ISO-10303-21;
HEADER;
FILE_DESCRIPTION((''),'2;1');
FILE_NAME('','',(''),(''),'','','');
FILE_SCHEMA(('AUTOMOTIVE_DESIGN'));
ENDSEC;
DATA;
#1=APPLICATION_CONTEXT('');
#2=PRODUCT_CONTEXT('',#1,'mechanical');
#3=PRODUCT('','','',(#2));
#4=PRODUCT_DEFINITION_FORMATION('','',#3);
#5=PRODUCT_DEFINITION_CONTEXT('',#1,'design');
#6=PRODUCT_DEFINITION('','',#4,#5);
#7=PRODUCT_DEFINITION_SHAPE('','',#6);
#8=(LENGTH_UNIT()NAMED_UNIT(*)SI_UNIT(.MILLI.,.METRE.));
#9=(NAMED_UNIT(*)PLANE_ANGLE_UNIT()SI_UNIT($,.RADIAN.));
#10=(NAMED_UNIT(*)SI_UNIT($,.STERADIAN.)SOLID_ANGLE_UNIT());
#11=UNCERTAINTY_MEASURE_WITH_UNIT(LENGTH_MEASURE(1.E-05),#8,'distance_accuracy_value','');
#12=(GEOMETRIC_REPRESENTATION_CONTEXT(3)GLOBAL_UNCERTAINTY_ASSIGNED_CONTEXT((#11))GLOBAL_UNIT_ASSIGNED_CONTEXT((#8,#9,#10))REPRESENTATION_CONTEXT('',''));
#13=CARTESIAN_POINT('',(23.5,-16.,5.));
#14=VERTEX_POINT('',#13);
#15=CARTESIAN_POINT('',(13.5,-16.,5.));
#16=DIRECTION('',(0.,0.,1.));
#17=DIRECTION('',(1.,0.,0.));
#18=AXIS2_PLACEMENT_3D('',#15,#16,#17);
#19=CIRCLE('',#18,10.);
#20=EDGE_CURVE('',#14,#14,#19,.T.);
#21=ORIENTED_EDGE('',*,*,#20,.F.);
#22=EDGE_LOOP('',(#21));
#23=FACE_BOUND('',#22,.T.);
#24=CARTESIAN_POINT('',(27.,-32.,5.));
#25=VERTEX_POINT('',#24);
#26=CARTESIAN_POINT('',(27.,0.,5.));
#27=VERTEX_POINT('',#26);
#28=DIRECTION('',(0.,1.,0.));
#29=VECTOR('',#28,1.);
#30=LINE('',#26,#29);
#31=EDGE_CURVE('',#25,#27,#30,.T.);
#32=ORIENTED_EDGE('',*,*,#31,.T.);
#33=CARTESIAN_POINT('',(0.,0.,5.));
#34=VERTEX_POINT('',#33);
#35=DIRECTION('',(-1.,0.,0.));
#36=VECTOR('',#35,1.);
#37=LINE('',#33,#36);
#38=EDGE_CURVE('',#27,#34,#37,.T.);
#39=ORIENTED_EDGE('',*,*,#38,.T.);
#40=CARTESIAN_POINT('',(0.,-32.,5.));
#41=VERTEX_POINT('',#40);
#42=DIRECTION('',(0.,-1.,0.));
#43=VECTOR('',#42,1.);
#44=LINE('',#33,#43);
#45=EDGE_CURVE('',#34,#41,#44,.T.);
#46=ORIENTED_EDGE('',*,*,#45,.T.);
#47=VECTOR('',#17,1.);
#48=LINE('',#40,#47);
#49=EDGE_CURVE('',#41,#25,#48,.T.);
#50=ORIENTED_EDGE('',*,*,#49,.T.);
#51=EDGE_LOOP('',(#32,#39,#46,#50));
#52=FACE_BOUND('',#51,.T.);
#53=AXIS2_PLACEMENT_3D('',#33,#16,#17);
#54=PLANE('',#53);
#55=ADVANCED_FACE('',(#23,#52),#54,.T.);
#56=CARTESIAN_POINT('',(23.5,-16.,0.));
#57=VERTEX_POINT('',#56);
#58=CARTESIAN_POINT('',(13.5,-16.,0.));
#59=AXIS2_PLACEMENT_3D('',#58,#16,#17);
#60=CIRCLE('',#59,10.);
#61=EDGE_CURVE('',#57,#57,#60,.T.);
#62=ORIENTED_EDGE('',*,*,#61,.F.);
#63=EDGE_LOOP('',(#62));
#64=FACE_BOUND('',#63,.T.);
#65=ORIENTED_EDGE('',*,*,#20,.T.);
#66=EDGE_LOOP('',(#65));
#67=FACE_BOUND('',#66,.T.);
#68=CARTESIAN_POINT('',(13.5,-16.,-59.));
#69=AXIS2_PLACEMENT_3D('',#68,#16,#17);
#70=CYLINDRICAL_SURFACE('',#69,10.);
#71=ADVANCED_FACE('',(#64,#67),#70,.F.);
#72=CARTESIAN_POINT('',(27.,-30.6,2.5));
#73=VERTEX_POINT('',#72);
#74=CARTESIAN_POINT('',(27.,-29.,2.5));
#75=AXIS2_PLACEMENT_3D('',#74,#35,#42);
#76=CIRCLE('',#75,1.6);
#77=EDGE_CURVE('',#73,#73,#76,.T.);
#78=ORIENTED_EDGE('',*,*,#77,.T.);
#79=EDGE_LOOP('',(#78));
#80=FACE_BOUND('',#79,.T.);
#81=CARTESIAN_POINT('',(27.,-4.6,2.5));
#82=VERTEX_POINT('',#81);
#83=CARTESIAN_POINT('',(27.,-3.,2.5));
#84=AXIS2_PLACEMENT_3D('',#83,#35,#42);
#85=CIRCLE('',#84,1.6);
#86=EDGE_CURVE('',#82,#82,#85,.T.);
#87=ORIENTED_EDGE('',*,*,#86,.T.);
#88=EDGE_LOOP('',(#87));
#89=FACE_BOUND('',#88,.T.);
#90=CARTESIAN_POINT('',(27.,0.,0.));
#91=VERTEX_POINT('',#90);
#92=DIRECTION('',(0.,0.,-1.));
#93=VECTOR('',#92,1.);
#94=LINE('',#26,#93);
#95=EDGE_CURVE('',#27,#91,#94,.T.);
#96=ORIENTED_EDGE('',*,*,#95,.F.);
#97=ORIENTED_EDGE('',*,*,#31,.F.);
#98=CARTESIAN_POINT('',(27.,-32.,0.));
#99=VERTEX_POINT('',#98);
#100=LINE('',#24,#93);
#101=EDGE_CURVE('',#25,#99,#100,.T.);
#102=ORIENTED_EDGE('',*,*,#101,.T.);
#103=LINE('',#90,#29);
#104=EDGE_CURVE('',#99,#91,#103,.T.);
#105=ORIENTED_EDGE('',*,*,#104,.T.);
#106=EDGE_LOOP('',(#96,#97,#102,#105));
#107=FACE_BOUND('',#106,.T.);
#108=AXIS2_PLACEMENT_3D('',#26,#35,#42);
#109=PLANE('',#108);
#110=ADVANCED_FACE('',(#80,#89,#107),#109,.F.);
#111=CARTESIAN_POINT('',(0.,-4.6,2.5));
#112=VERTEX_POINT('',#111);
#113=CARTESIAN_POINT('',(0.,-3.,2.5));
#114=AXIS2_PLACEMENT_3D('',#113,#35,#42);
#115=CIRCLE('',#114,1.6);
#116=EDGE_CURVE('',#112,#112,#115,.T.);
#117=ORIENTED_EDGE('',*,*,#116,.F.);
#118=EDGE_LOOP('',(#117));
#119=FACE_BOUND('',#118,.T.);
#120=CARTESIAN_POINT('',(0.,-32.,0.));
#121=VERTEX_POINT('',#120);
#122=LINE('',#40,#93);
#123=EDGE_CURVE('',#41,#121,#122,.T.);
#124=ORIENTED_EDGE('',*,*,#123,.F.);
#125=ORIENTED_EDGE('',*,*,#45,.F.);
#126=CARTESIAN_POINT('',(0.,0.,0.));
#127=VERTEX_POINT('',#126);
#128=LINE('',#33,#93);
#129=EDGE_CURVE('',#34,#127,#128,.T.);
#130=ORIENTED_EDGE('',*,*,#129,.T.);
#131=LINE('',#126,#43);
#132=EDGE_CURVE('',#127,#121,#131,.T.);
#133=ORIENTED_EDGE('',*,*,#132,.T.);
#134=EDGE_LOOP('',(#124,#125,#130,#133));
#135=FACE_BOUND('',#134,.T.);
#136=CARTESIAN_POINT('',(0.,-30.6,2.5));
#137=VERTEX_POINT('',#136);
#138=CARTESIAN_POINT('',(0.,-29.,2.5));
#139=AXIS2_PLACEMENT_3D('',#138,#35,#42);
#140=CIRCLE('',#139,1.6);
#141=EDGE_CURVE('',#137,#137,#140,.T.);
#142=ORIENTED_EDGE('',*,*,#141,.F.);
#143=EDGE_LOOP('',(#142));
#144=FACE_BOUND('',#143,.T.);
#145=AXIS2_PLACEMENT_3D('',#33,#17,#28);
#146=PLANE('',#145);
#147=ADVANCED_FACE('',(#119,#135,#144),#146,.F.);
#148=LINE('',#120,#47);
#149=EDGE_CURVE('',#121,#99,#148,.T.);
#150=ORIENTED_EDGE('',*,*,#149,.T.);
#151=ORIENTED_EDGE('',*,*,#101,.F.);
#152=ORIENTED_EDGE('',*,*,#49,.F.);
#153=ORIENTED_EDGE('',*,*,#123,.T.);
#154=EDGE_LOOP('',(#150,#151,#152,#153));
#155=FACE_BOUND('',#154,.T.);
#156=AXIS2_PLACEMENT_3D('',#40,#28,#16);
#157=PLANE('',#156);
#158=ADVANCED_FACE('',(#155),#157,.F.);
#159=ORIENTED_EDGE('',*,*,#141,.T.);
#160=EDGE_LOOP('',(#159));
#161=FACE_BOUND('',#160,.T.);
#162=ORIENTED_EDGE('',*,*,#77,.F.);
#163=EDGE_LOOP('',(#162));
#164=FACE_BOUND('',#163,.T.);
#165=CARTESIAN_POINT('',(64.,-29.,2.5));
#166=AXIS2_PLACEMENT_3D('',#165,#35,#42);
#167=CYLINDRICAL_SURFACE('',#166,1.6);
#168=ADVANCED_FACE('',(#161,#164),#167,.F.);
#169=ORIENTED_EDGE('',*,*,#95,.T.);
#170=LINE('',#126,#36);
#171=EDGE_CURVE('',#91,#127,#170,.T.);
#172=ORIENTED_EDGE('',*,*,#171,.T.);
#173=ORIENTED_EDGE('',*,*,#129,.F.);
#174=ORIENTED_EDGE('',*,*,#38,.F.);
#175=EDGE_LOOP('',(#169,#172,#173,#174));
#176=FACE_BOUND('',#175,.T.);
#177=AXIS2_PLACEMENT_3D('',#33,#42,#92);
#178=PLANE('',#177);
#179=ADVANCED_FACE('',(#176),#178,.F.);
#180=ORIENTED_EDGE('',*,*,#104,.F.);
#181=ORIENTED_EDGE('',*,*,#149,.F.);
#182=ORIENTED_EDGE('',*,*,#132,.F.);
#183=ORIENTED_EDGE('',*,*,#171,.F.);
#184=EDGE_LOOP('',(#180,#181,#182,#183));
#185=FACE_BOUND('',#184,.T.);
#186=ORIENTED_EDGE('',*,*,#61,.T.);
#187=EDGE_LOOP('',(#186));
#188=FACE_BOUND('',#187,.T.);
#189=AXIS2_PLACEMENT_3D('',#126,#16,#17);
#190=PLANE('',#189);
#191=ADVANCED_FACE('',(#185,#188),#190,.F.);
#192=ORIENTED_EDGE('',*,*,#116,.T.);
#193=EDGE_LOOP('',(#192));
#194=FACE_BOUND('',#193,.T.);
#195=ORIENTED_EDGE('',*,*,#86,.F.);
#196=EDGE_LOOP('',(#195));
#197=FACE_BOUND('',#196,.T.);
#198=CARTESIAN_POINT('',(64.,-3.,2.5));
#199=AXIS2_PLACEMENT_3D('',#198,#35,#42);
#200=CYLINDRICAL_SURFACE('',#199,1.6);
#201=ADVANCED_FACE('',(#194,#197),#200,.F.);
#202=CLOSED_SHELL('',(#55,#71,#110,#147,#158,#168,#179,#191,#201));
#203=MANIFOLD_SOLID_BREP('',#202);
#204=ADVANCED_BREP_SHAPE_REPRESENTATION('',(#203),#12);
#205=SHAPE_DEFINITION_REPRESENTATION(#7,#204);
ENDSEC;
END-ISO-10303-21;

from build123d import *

# Parameters (mm, degrees)
SKETCH_2_W          = 27
SKETCH_2_H          = 32
EXTRUDE_1_DEPTH     = 5
SKETCH_3_R          = 10
CUT_EXTRUDE_1_DEPTH = 64
SKETCH_5_R          = 1.6
CUT_EXTRUDE_2_DEPTH = 64


with BuildPart() as part:
    # 草图2 → 凸台-拉伸1 (new body)
    with BuildSketch(Plane.XY):
        with Locations((13.5, -16)):
            Rectangle(SKETCH_2_W, SKETCH_2_H)
    extrude(amount=EXTRUDE_1_DEPTH)

    # 草图3 → 切除-拉伸1 (cut)
    with BuildSketch(Plane.XY.offset(5)):
        with Locations((13.5, -16)):
            Circle(SKETCH_3_R)
    extrude(amount=-CUT_EXTRUDE_1_DEPTH, mode=Mode.SUBTRACT)

    # 草图5 → 切除-拉伸2 (cut)
    with BuildSketch(Plane.ZY):
        with Locations(Location((2.5, -3, 0), (0, 0, 270))):
            Circle(SKETCH_5_R)
        with Locations(Location((2.5, -29, 0), (0, 0, 270))):
            Circle(SKETCH_5_R)
    extrude(amount=-CUT_EXTRUDE_2_DEPTH, mode=Mode.SUBTRACT)


solid = part.part
